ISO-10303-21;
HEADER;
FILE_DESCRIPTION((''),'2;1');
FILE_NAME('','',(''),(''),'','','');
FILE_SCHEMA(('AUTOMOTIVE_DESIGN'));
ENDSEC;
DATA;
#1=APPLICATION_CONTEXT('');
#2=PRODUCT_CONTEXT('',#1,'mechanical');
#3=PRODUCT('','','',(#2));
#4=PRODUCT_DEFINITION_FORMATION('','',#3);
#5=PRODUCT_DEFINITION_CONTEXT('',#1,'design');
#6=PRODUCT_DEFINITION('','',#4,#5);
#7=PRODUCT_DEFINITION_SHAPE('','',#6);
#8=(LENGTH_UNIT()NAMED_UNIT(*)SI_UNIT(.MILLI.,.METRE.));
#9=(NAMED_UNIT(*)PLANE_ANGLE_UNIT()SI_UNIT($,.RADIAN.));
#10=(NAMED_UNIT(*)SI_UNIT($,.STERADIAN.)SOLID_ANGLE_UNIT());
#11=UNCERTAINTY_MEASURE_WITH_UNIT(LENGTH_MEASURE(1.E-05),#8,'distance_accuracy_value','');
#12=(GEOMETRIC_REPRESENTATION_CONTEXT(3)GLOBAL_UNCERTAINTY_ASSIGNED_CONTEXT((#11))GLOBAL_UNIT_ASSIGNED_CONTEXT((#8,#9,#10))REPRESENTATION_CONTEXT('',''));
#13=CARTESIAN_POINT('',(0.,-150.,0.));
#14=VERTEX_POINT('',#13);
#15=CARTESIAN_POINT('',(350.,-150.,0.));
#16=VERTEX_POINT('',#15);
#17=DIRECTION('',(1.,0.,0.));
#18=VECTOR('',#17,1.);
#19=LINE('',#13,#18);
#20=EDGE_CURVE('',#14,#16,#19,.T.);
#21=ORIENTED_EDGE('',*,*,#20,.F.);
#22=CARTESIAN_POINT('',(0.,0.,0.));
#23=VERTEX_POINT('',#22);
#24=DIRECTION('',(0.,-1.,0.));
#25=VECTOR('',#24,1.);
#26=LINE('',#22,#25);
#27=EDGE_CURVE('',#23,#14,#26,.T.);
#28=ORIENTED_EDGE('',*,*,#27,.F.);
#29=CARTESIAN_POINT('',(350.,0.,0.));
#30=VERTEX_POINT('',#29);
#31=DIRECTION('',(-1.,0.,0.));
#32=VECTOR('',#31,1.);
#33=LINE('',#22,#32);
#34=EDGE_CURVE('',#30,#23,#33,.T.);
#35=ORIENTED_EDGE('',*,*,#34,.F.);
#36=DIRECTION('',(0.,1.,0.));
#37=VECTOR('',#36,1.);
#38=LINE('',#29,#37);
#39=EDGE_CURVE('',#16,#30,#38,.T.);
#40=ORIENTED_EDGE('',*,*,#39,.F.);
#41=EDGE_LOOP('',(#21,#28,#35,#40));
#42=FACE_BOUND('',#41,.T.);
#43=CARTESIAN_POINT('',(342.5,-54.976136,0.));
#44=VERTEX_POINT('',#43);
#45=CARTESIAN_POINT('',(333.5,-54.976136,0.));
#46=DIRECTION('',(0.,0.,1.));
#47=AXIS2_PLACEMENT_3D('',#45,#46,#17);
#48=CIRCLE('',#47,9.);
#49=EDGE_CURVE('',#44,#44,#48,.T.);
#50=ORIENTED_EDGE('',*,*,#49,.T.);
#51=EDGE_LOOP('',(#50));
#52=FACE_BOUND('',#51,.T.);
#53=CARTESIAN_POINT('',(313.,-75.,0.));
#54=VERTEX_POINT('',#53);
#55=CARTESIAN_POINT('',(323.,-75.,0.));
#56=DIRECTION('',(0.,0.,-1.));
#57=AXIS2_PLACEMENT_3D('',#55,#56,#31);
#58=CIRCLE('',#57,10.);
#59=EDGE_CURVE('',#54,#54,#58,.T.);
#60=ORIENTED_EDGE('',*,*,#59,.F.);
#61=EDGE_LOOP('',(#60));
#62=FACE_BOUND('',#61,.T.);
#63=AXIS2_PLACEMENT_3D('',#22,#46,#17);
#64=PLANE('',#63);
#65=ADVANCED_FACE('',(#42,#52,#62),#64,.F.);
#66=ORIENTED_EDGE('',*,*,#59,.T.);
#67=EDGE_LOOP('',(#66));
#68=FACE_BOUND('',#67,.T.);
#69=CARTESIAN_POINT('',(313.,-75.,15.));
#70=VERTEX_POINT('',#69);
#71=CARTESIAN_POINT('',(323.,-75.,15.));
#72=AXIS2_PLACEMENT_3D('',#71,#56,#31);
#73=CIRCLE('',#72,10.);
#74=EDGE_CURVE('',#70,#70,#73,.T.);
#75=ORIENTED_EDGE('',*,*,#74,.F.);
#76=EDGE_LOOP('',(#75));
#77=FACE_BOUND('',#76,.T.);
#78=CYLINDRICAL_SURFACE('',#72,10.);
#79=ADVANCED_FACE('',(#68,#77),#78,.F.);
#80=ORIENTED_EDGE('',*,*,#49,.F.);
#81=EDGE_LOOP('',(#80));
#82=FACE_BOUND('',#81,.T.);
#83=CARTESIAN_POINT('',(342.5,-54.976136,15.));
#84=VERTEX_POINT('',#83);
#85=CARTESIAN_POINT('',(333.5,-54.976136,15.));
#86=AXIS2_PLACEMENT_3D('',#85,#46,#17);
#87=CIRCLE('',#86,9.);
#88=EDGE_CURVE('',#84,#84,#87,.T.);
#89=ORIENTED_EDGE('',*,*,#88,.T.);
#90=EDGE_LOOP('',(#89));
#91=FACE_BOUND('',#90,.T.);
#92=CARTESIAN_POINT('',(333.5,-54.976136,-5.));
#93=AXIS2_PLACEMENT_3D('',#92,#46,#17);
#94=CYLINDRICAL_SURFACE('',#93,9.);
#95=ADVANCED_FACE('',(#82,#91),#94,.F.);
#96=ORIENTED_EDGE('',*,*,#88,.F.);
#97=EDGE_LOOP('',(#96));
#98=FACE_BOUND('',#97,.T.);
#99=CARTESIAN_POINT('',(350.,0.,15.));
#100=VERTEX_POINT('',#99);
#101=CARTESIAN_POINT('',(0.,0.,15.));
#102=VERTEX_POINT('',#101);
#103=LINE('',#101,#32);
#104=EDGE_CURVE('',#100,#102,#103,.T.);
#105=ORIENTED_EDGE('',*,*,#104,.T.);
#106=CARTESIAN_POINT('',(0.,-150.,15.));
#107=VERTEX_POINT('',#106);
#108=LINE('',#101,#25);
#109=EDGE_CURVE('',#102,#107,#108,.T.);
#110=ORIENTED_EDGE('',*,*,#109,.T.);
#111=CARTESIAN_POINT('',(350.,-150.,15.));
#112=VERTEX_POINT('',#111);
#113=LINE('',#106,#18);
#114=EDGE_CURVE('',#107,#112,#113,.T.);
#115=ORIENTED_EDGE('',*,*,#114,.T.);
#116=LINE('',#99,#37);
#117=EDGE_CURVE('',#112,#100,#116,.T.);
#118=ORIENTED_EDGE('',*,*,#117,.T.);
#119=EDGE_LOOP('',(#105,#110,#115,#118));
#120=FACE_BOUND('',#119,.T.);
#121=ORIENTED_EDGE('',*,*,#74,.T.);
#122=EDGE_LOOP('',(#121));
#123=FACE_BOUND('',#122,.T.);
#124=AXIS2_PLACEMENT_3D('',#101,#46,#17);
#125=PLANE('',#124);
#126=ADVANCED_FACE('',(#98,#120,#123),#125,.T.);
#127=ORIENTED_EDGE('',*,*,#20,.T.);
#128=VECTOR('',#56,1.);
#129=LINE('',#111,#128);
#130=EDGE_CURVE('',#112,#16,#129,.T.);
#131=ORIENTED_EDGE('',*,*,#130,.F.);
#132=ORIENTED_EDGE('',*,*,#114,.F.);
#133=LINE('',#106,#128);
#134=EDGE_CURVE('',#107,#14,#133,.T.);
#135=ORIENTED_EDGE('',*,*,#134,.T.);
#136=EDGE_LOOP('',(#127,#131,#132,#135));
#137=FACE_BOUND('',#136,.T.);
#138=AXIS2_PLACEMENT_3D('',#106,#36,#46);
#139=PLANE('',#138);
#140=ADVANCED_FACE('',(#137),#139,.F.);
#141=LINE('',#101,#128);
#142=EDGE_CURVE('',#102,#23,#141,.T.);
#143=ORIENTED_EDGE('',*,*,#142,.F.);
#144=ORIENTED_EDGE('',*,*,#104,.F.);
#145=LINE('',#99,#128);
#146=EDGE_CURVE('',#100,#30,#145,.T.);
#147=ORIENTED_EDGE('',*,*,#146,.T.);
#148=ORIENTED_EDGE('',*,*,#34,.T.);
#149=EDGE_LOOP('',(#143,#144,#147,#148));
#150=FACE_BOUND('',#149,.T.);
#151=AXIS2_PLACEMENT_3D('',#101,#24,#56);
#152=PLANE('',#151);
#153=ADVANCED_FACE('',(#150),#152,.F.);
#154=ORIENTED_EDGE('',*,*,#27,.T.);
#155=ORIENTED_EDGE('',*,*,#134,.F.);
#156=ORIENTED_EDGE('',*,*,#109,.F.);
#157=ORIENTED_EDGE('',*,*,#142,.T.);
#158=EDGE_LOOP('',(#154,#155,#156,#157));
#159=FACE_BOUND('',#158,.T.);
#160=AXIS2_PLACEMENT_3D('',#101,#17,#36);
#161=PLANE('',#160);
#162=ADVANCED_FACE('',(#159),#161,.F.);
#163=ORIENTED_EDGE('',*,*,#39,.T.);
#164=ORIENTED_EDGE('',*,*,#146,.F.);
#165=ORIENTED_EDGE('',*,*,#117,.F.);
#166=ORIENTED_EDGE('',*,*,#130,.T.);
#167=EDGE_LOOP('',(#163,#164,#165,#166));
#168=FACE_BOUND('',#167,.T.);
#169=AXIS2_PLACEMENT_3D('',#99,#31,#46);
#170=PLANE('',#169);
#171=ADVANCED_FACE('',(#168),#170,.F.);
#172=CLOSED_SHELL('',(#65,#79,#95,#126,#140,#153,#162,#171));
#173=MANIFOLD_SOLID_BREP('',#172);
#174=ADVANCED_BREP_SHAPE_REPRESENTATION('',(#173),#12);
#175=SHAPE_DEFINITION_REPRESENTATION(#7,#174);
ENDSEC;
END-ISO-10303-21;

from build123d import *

# Parameters (mm, degrees)
ESQUISSE1_W             = 350
ESQUISSE1_H             = 150
BOSS_EXTRU_1_DEPTH      = 15
ESQUISSE2_R             = 10
ENL_V_MAT_EXTRU_2_DEPTH = 382.083980246
ESQUISSE3_R             = 9
ENL_V_MAT_EXTRU_3_DEPTH = 20


with BuildPart() as part:
    # Esquisse1 → Boss.-Extru.1 (new body)
    with BuildSketch(Plane.XY):
        with Locations((175, -75)):
            Rectangle(ESQUISSE1_W, ESQUISSE1_H)
    extrude(amount=BOSS_EXTRU_1_DEPTH)

    # Esquisse2 → Enlèv. mat.-Extru.2 (cut, through all)
    with BuildSketch(Plane(origin=(0, 0, 0), x_dir=(-1, 0, 0), z_dir=(0, 0, -1))):
        with Locations((-323, -75)):
            Circle(ESQUISSE2_R)
    extrude(amount=-ENL_V_MAT_EXTRU_2_DEPTH, mode=Mode.SUBTRACT)

    # Esquisse3 → Enlèv. mat.-Extru.3 (cut)
    with BuildSketch(Plane.XY.offset(15)):
        with Locations((333.5, -54.976135627)):
            Circle(ESQUISSE3_R)
    extrude(amount=-ENL_V_MAT_EXTRU_3_DEPTH, mode=Mode.SUBTRACT)


solid = part.part
